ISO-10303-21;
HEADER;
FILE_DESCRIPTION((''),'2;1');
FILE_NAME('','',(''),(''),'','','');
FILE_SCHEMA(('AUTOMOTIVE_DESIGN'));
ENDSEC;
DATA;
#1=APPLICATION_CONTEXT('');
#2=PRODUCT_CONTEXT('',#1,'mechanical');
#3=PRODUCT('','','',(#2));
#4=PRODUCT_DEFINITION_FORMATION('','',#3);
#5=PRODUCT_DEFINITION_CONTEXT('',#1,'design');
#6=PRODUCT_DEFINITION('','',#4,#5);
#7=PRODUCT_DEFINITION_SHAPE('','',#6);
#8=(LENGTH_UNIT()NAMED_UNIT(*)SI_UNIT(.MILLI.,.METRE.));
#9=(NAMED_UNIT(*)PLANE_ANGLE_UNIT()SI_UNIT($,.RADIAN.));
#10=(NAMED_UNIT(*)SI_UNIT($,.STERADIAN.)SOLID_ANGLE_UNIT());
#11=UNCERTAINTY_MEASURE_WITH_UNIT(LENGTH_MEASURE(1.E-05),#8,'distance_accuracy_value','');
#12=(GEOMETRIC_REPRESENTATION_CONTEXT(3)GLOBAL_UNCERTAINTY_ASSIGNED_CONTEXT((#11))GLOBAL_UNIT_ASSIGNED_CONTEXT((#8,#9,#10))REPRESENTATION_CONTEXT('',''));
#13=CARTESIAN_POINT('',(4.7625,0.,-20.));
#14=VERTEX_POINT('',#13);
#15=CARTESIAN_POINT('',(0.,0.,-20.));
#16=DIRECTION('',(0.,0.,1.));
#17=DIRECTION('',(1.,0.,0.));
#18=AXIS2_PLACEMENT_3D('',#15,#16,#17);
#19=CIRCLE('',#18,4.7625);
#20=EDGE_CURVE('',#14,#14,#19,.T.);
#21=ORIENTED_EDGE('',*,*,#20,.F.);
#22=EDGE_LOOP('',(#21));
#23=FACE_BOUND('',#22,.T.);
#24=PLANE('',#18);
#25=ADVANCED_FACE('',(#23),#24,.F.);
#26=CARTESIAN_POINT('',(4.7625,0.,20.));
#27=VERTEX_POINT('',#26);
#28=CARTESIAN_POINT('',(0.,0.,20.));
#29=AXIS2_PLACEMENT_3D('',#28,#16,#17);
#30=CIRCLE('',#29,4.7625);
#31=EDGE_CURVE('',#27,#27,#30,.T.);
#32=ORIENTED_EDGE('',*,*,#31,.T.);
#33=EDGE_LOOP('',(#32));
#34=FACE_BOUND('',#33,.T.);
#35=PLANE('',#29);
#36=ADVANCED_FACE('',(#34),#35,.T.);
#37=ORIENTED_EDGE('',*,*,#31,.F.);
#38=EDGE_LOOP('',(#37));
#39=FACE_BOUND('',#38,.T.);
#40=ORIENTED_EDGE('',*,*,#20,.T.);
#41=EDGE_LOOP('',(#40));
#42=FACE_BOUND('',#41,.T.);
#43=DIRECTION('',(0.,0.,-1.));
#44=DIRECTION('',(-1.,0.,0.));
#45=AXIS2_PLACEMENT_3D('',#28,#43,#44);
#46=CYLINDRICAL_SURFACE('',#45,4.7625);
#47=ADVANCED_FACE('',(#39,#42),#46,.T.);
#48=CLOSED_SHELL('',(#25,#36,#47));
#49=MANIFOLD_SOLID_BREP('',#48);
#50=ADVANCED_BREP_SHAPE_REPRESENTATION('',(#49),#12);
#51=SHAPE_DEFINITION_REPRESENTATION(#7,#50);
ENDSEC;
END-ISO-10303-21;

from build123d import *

# Parameters (mm, degrees)
BOSS_EXTRUDE1_DEPTH = 20


with BuildPart() as part:
    # Sketch1 → Boss-Extrude1 (new, symmetric)
    with BuildSketch(Plane.XY):
        with BuildLine():
            ThreePointArc((4.7625, 0), (4.12444598, 2.381250009), (2.381249982, 4.124445996))
            ThreePointArc((2.381249982, 4.124445996), (-4.1e-08, 4.7625), (-2.381250053, 4.124445955))
            ThreePointArc((-2.381250053, 4.124445955), (-4.124446001, 2.381249973), (-4.7625, 0))
            ThreePointArc((-4.7625, 0), (-4.124445947, -2.381250067), (-2.381249866, -4.124446063))
            ThreePointArc((-2.381249866, -4.124446063), (7.9e-08, -4.7625), (2.381250004, -4.124445983))
            ThreePointArc((2.381250004, -4.124445983), (4.124445987, -2.381249998), (4.7625, 0))
        make_face()
    extrude(amount=BOSS_EXTRUDE1_DEPTH, both=True)


solid = part.part
